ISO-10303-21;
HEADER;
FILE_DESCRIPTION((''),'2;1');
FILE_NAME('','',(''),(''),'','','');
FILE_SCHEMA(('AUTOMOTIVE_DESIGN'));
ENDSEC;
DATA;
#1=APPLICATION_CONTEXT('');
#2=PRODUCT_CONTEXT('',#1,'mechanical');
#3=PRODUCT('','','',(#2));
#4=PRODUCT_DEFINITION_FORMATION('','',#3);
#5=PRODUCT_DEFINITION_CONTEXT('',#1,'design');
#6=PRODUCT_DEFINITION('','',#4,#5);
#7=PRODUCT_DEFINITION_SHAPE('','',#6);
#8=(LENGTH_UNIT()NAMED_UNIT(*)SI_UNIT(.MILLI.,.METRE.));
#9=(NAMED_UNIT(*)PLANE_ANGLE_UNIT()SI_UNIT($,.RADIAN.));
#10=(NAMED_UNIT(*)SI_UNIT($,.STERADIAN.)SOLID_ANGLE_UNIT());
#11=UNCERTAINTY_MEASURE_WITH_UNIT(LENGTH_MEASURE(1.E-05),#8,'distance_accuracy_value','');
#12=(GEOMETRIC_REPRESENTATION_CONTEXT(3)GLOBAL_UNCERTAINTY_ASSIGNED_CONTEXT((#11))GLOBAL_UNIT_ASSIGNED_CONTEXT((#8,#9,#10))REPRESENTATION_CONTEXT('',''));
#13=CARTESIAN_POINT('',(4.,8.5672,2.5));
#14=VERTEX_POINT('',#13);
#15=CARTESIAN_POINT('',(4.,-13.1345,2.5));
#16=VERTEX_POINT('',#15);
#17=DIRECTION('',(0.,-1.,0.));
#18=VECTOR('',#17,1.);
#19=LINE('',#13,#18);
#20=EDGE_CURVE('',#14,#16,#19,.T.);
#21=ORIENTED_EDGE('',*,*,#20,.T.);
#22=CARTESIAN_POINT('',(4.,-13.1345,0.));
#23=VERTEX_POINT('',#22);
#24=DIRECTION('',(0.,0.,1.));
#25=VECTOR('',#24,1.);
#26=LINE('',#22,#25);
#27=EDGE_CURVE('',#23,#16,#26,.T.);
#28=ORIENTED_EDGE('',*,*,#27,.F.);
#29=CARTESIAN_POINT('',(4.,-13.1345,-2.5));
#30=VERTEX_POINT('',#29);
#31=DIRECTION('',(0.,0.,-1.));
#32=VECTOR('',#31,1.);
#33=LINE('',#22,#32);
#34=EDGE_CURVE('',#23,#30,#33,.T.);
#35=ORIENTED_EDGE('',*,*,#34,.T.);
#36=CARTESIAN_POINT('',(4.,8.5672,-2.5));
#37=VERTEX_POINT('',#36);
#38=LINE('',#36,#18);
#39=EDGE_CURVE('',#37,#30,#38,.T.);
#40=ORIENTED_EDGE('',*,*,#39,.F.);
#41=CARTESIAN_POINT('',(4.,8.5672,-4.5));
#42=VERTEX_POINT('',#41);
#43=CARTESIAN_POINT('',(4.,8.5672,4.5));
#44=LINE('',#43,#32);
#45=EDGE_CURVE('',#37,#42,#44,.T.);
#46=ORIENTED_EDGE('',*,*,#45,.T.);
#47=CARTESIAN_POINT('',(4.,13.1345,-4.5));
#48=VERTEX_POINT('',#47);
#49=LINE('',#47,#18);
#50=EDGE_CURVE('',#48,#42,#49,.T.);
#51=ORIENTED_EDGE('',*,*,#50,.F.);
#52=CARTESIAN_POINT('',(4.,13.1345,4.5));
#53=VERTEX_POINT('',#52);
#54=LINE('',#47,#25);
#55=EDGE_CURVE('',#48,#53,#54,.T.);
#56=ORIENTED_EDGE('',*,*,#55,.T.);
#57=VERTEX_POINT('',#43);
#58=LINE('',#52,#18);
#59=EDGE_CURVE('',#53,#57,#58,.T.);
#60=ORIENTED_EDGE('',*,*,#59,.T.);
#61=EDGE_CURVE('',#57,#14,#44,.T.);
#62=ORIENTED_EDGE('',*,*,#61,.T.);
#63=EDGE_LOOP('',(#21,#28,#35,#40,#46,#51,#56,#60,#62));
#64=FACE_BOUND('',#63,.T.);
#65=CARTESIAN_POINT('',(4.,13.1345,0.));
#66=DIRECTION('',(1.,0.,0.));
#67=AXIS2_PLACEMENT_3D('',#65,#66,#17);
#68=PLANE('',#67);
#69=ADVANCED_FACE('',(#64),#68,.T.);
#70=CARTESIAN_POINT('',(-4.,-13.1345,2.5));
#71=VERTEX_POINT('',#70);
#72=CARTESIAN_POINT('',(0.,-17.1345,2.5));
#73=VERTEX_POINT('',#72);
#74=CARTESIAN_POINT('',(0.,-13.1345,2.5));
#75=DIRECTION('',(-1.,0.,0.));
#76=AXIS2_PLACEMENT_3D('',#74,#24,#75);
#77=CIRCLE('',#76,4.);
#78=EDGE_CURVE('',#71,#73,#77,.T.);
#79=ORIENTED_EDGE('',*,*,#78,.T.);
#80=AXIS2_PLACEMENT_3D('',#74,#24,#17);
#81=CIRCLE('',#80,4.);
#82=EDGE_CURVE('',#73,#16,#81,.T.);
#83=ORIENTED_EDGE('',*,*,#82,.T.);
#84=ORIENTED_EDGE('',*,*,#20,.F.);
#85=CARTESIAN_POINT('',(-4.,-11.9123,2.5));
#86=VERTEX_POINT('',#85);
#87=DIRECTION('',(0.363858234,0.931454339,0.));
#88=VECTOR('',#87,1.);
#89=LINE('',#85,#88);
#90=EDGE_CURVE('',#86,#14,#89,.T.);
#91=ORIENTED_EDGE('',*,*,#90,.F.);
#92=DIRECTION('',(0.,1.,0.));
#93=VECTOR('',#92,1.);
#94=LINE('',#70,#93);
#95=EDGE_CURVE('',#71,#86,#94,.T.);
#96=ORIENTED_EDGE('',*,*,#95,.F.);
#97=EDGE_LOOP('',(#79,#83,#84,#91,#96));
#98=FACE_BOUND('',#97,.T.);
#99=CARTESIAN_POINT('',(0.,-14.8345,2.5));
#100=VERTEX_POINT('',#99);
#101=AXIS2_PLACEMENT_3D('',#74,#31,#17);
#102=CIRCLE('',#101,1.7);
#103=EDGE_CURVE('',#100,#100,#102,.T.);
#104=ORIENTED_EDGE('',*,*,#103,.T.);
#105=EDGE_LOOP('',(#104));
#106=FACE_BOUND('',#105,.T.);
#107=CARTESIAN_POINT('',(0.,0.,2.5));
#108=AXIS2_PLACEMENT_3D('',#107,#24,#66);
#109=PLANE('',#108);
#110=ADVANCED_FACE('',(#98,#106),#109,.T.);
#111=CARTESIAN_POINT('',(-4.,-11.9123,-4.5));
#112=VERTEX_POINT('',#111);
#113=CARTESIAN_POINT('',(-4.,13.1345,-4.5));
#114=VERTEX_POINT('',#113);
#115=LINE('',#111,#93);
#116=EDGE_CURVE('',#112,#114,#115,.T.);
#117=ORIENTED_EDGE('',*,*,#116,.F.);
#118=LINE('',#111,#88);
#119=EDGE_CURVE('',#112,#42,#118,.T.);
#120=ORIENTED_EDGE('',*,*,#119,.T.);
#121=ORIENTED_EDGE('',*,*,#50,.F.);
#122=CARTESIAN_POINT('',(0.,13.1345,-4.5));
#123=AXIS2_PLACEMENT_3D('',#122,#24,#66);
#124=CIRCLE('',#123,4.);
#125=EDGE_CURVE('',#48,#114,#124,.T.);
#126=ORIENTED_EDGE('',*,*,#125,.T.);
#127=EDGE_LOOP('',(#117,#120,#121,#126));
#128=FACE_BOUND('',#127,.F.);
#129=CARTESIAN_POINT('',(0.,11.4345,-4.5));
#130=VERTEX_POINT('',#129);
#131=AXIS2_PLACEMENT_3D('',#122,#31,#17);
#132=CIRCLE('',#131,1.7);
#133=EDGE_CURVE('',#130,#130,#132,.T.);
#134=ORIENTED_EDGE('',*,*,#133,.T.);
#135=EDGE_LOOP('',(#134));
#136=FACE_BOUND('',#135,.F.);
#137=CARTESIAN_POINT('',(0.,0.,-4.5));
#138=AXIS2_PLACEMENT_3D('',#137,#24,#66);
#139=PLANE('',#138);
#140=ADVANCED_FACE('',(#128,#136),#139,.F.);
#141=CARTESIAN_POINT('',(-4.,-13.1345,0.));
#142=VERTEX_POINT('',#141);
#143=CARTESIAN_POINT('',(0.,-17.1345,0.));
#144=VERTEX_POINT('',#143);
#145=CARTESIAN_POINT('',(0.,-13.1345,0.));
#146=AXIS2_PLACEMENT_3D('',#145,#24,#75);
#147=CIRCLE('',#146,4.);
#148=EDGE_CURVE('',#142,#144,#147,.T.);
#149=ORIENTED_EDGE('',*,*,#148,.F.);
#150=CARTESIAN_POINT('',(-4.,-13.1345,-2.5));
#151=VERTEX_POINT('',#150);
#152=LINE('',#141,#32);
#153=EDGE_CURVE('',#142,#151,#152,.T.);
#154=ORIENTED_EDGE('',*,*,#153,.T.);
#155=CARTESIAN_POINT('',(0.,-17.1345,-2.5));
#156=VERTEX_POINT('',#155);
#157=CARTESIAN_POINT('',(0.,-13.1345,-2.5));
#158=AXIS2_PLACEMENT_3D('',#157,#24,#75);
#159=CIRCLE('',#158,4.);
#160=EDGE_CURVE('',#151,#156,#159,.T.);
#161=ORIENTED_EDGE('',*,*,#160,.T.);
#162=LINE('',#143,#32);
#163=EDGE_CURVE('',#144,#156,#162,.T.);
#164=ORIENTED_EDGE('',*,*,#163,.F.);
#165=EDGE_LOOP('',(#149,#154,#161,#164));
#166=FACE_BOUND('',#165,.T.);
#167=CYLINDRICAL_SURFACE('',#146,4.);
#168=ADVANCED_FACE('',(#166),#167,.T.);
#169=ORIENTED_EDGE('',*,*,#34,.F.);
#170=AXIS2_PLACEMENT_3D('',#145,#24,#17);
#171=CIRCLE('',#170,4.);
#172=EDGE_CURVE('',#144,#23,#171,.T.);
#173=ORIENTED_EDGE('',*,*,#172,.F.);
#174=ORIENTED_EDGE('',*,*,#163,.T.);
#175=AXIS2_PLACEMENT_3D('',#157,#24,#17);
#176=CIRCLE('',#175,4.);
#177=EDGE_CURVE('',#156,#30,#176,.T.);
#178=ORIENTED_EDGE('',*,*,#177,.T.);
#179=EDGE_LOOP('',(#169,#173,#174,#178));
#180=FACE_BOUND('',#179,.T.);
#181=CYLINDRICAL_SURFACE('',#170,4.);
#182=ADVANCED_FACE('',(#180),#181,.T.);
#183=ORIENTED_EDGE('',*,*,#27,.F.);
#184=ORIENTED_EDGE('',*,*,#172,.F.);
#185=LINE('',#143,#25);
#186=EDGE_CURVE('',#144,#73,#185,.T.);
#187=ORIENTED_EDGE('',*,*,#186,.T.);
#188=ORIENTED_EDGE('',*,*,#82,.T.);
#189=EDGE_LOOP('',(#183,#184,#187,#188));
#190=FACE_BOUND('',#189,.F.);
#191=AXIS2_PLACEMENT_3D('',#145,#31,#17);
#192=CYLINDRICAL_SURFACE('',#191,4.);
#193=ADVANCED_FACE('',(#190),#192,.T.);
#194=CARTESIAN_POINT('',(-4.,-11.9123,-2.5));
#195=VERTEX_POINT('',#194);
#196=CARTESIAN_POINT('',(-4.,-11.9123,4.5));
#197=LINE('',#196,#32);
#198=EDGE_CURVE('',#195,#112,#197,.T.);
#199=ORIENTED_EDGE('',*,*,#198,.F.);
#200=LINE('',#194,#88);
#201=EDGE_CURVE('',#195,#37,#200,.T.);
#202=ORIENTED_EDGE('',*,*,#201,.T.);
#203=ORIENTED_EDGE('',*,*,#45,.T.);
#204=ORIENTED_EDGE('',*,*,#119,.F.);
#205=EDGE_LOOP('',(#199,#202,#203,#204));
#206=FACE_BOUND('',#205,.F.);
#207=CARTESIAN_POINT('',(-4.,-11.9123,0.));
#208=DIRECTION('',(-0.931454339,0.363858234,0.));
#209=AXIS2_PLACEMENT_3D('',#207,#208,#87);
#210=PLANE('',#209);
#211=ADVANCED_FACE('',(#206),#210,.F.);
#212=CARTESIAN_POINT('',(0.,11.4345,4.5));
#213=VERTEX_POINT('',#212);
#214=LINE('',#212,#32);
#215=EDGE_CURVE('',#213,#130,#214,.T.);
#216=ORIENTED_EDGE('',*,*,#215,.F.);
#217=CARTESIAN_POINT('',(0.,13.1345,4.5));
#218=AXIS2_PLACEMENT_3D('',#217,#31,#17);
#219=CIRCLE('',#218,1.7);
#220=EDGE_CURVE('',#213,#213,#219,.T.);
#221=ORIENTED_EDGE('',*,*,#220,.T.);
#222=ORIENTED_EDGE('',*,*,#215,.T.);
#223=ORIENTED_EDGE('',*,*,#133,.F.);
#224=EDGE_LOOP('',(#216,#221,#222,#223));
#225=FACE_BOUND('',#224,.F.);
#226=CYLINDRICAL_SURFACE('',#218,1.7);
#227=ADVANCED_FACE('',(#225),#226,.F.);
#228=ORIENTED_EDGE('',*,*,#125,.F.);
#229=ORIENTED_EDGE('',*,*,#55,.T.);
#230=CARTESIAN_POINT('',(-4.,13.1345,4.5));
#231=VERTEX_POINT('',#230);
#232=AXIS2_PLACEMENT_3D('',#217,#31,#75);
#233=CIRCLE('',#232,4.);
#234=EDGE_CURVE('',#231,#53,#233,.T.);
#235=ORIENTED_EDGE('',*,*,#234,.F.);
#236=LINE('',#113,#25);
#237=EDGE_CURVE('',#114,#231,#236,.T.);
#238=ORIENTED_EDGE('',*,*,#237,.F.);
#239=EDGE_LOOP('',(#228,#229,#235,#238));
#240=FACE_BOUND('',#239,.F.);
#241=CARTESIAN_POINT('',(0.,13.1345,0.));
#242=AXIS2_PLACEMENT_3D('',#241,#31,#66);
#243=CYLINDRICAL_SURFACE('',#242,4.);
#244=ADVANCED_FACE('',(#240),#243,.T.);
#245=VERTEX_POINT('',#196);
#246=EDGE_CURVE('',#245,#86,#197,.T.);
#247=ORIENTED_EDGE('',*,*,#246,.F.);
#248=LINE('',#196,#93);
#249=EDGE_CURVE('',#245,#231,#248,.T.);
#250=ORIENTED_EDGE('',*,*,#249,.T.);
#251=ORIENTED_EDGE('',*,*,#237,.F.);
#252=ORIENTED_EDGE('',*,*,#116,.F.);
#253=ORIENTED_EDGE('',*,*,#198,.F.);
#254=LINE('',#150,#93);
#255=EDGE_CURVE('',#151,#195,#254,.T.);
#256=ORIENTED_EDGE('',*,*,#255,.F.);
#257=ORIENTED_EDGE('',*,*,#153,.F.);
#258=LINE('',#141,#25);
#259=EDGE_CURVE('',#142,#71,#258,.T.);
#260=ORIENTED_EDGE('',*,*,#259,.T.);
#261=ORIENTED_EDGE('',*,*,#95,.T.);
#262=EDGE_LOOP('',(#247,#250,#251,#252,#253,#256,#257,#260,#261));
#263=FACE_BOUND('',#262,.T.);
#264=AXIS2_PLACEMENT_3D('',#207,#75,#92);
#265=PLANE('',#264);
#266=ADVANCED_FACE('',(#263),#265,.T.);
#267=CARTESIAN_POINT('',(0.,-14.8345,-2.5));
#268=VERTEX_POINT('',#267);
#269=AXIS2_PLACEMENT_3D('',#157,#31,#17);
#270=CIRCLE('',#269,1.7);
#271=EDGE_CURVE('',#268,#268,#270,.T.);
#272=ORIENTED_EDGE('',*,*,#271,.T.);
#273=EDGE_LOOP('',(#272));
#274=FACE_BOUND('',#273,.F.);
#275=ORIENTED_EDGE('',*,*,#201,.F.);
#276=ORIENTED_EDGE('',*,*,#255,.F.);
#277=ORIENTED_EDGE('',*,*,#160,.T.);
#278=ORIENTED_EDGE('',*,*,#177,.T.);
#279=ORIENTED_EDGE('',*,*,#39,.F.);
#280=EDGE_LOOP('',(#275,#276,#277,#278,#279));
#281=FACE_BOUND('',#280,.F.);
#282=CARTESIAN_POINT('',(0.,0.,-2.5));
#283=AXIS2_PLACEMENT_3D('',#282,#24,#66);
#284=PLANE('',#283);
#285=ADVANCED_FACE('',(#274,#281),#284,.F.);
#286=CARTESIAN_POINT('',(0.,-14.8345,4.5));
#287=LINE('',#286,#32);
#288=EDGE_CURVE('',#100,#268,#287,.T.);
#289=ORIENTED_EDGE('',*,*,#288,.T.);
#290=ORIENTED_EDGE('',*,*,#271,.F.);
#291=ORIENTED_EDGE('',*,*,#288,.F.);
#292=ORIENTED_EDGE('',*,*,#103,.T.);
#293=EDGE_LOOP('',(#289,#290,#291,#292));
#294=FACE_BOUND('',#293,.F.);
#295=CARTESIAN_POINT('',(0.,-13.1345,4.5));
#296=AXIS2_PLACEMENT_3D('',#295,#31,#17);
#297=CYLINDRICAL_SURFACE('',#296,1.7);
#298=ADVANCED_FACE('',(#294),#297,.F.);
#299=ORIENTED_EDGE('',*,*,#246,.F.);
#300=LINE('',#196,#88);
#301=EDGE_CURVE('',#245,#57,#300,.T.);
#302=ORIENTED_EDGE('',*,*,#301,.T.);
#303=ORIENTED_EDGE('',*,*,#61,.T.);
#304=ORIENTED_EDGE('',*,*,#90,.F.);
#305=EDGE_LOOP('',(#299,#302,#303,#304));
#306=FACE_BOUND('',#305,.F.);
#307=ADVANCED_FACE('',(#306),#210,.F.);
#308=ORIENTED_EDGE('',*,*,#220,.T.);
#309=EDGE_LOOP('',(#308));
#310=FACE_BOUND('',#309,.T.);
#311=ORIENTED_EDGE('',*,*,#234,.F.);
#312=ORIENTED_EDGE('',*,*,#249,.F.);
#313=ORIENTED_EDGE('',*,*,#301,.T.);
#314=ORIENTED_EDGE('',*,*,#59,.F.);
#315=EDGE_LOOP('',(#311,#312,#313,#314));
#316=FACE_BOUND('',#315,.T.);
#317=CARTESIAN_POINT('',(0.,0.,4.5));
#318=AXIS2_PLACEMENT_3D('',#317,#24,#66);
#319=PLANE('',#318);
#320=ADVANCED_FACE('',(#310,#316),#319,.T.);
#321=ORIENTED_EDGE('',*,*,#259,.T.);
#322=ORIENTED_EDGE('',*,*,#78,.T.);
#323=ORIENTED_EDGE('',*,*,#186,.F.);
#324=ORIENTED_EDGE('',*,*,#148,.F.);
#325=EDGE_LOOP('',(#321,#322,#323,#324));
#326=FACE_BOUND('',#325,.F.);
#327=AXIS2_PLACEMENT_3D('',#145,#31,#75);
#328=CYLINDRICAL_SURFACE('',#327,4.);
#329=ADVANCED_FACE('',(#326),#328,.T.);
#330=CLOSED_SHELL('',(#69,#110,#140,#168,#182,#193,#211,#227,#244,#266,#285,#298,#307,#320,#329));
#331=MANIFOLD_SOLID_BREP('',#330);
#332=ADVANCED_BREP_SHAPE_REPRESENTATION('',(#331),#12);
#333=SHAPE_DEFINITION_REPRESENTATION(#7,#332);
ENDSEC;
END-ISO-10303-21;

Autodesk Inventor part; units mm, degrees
ref_plane "YZ Plane" through (0, 0, 0) normal (1, 0, 0) x (0, 1, 0)
ref_plane "XZ Plane" through (0, 0, 0) normal (0, 1, 0) x (-1, 0, 0)
ref_plane "XY Plane" through (0, 0, 0) normal (0, 0, 1) x (1, 0, 0)
sketch "Sketch1" plane through (0, 0, 0) normal (0, 0, 1) x (1, 0, 0)
  line L0 (0, 17.1345) -> (0, 17.1345)
  line L1 (4, 13.1345) -> (4, 8.5672)
  line L2 (0, -17.1345) -> (0, -17.1345)
  line L3 (-4, -13.1345) -> (-4, -11.9123)
  line L4 (-4, 17.1345) -> (0, 17.1345) construction
  line L5 (0, 17.1345) -> (0, 0) construction
  line L6 (0, 0) -> (-4, 0) construction
  line L7 (-4, 0) -> (-4, 17.1345) construction
  arc A0 (4, 13.1345) -> (0, 17.1345) centre (0, 13.1345) ccw
  arc A1 (0, 17.1345) -> (-4, 13.1345) centre (0, 13.1345) ccw
  arc A2 (-4, -13.1345) -> (0, -17.1345) centre (0, -13.1345) ccw
  arc A3 (0, -17.1345) -> (4, -13.1345) centre (0, -13.1345) ccw
  line L8 (-4, -11.9123) -> (4, 8.5672)
  line L9 (4, 8.5672) -> (4, -13.1345)
  line L10 (-4, -11.9123) -> (-4, 13.1345)
  dimension "d0" = 4
  dimension "d6" = 26.269
extrude "Extrusion1" add sketch "Sketch1" along normal mid plane 9 contours L1 L8 L10 A1 A0
extrude "Extrusion2" add sketch "Sketch1" along normal mid plane 5 contours L9 A3 A2 L3 L8
sketch "Sketch2" plane through (0, 0, 4.5) normal (0, 0, 1) x (1, 0, 0)
  arc A0 (4, 13.1345) -> (-4, 13.1345) centre (0, 13.1345) ccw construction
  line L0 (-4, -13.1345) -> (-4, -11.9123) projected
  arc A1 (-4, -13.1345) -> (4, -13.1345) centre (0, -13.1345) ccw projected
  line L1 (4, 8.5672) -> (4, -13.1345) projected
  line L2 (-4, -11.9123) -> (4, 8.5672) projected
  point P0 (0, 0)
hole "Hole1" at (0, 13.1345, 4.5) at (0, -13.1345, 4.5) direction (0, 0, -1) diameter 3.4 end through all clearance for "Socket Head Cap Screw" size "M3" standard "Ansi Metric M Profile"
equation "\"d6\" = LengthC"
equation "\"LengthC\" = 26.268959"
properties part number "F"
